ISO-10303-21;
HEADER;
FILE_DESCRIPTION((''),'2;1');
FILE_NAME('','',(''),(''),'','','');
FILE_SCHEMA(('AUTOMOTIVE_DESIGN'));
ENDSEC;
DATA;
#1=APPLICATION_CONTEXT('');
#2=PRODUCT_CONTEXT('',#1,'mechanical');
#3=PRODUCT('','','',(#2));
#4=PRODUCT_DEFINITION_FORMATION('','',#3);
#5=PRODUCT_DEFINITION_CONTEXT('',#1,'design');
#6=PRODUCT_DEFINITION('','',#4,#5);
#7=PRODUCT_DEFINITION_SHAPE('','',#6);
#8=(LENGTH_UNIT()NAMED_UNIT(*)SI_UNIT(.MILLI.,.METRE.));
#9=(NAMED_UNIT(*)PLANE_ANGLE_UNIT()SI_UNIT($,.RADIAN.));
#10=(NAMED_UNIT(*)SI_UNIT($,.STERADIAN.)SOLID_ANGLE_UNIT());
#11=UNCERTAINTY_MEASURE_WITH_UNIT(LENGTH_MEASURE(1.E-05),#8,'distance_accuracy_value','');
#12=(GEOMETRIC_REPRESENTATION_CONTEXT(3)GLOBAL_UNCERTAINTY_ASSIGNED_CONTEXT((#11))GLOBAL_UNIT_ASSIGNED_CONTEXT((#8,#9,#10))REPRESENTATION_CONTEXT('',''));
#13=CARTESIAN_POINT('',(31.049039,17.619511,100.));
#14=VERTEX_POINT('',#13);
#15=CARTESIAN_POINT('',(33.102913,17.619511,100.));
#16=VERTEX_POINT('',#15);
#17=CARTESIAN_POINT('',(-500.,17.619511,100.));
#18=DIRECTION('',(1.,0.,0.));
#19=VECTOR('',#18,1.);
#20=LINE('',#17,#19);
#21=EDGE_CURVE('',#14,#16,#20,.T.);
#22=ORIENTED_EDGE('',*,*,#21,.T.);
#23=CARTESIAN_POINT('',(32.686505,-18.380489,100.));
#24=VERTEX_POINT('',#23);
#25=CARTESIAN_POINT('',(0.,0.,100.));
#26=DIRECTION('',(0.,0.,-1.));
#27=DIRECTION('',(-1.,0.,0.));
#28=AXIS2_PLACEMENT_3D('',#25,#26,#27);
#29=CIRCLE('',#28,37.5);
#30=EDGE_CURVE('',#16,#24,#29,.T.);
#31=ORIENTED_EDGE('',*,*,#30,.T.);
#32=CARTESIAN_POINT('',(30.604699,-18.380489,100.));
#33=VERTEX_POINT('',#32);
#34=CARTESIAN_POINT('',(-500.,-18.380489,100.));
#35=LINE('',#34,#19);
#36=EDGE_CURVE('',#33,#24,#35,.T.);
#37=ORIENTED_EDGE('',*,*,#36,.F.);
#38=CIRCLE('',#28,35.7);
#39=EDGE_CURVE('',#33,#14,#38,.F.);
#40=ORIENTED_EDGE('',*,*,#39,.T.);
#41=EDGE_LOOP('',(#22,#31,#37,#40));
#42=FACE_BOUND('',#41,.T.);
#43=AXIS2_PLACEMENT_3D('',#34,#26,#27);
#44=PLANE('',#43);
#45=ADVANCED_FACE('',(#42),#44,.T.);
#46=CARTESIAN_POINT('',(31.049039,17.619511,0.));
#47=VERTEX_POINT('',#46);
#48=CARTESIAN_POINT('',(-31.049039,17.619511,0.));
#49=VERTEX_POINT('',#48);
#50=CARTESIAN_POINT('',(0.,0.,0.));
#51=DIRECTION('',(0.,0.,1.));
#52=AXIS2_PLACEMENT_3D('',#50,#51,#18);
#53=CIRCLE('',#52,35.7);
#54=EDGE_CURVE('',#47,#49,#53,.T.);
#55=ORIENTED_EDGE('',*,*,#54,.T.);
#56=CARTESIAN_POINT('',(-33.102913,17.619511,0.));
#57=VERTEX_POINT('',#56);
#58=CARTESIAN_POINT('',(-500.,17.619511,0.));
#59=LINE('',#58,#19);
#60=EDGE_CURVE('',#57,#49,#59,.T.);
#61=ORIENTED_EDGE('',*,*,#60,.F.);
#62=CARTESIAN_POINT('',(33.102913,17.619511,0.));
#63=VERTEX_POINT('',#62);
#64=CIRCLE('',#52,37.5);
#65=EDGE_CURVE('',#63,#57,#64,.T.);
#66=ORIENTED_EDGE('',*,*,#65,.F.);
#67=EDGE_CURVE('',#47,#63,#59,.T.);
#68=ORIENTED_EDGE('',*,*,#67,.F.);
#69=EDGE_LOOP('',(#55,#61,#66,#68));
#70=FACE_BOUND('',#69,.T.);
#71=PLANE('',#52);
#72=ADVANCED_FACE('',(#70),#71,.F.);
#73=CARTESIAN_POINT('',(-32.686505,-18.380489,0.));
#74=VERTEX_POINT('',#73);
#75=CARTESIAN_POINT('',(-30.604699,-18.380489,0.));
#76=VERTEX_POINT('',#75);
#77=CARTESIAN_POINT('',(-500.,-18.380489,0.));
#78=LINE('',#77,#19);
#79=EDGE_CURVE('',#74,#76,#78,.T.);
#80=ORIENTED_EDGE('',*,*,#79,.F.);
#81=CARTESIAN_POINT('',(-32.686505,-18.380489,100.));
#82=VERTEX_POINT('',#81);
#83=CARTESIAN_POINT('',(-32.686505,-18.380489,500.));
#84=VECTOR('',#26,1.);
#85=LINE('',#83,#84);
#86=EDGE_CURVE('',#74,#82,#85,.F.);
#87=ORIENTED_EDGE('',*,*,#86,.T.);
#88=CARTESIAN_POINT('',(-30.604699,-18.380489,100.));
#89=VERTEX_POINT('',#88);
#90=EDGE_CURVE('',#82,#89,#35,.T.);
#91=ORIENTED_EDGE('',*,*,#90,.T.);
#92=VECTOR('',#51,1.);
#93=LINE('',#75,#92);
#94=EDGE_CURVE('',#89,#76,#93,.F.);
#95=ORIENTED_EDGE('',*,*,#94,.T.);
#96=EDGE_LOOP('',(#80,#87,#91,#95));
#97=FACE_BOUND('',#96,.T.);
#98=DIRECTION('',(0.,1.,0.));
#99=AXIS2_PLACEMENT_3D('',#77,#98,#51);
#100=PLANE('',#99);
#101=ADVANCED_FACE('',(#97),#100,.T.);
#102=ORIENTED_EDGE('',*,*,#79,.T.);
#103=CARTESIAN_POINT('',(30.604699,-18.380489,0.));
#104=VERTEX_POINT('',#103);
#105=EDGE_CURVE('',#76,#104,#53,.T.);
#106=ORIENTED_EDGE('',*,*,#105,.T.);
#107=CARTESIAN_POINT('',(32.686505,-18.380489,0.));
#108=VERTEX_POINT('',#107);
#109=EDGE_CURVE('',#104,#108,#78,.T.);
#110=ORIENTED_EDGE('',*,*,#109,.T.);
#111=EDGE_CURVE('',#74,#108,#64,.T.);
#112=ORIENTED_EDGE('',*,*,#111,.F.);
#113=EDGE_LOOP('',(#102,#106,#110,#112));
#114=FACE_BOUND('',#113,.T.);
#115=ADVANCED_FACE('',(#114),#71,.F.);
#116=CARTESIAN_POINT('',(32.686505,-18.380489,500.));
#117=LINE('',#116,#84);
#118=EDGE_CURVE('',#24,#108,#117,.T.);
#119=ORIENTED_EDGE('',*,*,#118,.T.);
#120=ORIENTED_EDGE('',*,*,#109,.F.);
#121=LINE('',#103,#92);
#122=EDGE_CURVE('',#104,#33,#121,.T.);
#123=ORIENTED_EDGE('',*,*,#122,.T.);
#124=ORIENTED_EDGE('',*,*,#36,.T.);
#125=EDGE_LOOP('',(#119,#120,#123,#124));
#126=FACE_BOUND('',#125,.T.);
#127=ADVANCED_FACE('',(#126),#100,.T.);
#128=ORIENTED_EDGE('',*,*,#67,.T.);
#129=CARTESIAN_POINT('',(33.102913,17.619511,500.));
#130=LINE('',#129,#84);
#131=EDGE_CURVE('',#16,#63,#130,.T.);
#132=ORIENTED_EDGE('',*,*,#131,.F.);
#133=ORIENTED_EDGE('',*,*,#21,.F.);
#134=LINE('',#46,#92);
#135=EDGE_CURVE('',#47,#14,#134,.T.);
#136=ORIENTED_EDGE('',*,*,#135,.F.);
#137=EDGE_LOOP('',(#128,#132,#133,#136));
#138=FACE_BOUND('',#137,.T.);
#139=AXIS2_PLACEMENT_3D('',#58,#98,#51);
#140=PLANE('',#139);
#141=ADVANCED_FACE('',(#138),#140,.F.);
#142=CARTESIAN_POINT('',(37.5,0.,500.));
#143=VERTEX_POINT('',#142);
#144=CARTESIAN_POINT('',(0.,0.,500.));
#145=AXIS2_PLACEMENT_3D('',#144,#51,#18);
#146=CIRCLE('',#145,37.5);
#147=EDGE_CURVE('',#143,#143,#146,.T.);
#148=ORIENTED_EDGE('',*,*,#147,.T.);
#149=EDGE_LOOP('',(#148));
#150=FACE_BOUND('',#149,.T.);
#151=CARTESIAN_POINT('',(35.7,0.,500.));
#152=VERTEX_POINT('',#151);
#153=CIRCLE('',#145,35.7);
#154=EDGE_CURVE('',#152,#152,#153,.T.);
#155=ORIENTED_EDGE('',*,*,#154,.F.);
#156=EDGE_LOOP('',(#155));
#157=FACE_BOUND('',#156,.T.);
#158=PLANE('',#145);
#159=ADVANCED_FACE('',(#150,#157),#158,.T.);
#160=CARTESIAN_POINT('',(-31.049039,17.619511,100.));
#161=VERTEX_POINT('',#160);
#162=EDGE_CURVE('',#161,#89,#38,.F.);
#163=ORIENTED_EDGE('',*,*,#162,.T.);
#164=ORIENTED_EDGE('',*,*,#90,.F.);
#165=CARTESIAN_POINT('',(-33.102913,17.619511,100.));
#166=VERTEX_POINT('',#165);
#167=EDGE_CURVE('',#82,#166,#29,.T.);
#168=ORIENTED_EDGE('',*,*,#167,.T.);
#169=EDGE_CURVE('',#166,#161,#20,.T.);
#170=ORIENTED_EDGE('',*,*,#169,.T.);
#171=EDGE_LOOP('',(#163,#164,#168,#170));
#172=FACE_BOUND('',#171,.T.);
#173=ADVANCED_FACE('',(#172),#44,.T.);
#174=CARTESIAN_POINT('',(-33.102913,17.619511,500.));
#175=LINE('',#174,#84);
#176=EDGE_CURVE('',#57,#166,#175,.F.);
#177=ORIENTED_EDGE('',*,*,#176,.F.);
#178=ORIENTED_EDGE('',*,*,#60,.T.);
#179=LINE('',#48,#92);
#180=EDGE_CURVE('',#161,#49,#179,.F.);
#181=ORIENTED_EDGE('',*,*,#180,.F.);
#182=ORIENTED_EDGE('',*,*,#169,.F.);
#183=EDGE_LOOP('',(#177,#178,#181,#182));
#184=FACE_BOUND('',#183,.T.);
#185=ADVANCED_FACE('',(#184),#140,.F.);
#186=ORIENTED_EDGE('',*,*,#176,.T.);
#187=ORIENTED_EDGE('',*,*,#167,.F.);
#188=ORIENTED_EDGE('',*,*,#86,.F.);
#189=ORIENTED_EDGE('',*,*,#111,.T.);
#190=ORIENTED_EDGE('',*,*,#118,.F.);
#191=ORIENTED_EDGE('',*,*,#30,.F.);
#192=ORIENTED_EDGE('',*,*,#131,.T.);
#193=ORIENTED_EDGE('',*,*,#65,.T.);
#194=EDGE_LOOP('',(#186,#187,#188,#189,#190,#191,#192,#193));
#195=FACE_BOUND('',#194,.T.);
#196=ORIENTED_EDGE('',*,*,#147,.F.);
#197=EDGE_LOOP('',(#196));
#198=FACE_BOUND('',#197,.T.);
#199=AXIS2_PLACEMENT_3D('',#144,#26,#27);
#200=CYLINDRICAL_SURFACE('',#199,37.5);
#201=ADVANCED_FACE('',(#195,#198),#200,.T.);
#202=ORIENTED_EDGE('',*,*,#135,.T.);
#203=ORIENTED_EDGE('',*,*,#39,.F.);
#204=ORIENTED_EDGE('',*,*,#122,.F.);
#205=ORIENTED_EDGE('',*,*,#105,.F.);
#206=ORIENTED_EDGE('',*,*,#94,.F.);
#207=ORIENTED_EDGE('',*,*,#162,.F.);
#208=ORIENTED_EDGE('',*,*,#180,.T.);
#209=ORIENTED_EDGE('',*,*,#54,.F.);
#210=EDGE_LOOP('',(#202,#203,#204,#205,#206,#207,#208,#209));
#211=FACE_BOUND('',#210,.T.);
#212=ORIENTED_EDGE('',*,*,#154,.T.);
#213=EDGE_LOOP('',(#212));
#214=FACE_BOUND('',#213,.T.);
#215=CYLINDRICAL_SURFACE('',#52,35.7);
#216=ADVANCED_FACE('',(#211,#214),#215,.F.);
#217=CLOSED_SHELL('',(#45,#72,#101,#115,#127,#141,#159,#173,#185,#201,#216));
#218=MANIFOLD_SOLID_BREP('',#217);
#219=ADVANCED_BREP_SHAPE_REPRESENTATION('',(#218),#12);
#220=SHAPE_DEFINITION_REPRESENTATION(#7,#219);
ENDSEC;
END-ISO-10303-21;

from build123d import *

# Parameters (mm, degrees)
SKETCH2_R           = 37.5
BOSS_EXTRUDE1_DEPTH = 500
SKETCH3_R           = 35.7
CUT_EXTRUDE1_DEPTH  = 500
SKETCH4_W           = 100
SKETCH4_H           = 36
CUT_EXTRUDE2_DEPTH  = 500


with BuildPart() as part:
    # Sketch2 → Boss-Extrude1 (new body)
    with BuildSketch(Plane.XY):
        Circle(SKETCH2_R)
    extrude(amount=BOSS_EXTRUDE1_DEPTH)

    # Sketch3 → Cut-Extrude1 (cut)
    with BuildSketch(Plane.XY.offset(500)):
        Circle(SKETCH3_R)
    extrude(amount=-CUT_EXTRUDE1_DEPTH, mode=Mode.SUBTRACT)

    # Sketch4 → Cut-Extrude2 (cut, symmetric)
    with BuildSketch(Plane(origin=(0, 0, 0), x_dir=(0, 0, -1), z_dir=(1, 0, 0))):
        with Locations((-50, -0.380488828)):
            Rectangle(SKETCH4_W, SKETCH4_H)
    extrude(amount=CUT_EXTRUDE2_DEPTH, both=True, mode=Mode.SUBTRACT)


solid = part.part
